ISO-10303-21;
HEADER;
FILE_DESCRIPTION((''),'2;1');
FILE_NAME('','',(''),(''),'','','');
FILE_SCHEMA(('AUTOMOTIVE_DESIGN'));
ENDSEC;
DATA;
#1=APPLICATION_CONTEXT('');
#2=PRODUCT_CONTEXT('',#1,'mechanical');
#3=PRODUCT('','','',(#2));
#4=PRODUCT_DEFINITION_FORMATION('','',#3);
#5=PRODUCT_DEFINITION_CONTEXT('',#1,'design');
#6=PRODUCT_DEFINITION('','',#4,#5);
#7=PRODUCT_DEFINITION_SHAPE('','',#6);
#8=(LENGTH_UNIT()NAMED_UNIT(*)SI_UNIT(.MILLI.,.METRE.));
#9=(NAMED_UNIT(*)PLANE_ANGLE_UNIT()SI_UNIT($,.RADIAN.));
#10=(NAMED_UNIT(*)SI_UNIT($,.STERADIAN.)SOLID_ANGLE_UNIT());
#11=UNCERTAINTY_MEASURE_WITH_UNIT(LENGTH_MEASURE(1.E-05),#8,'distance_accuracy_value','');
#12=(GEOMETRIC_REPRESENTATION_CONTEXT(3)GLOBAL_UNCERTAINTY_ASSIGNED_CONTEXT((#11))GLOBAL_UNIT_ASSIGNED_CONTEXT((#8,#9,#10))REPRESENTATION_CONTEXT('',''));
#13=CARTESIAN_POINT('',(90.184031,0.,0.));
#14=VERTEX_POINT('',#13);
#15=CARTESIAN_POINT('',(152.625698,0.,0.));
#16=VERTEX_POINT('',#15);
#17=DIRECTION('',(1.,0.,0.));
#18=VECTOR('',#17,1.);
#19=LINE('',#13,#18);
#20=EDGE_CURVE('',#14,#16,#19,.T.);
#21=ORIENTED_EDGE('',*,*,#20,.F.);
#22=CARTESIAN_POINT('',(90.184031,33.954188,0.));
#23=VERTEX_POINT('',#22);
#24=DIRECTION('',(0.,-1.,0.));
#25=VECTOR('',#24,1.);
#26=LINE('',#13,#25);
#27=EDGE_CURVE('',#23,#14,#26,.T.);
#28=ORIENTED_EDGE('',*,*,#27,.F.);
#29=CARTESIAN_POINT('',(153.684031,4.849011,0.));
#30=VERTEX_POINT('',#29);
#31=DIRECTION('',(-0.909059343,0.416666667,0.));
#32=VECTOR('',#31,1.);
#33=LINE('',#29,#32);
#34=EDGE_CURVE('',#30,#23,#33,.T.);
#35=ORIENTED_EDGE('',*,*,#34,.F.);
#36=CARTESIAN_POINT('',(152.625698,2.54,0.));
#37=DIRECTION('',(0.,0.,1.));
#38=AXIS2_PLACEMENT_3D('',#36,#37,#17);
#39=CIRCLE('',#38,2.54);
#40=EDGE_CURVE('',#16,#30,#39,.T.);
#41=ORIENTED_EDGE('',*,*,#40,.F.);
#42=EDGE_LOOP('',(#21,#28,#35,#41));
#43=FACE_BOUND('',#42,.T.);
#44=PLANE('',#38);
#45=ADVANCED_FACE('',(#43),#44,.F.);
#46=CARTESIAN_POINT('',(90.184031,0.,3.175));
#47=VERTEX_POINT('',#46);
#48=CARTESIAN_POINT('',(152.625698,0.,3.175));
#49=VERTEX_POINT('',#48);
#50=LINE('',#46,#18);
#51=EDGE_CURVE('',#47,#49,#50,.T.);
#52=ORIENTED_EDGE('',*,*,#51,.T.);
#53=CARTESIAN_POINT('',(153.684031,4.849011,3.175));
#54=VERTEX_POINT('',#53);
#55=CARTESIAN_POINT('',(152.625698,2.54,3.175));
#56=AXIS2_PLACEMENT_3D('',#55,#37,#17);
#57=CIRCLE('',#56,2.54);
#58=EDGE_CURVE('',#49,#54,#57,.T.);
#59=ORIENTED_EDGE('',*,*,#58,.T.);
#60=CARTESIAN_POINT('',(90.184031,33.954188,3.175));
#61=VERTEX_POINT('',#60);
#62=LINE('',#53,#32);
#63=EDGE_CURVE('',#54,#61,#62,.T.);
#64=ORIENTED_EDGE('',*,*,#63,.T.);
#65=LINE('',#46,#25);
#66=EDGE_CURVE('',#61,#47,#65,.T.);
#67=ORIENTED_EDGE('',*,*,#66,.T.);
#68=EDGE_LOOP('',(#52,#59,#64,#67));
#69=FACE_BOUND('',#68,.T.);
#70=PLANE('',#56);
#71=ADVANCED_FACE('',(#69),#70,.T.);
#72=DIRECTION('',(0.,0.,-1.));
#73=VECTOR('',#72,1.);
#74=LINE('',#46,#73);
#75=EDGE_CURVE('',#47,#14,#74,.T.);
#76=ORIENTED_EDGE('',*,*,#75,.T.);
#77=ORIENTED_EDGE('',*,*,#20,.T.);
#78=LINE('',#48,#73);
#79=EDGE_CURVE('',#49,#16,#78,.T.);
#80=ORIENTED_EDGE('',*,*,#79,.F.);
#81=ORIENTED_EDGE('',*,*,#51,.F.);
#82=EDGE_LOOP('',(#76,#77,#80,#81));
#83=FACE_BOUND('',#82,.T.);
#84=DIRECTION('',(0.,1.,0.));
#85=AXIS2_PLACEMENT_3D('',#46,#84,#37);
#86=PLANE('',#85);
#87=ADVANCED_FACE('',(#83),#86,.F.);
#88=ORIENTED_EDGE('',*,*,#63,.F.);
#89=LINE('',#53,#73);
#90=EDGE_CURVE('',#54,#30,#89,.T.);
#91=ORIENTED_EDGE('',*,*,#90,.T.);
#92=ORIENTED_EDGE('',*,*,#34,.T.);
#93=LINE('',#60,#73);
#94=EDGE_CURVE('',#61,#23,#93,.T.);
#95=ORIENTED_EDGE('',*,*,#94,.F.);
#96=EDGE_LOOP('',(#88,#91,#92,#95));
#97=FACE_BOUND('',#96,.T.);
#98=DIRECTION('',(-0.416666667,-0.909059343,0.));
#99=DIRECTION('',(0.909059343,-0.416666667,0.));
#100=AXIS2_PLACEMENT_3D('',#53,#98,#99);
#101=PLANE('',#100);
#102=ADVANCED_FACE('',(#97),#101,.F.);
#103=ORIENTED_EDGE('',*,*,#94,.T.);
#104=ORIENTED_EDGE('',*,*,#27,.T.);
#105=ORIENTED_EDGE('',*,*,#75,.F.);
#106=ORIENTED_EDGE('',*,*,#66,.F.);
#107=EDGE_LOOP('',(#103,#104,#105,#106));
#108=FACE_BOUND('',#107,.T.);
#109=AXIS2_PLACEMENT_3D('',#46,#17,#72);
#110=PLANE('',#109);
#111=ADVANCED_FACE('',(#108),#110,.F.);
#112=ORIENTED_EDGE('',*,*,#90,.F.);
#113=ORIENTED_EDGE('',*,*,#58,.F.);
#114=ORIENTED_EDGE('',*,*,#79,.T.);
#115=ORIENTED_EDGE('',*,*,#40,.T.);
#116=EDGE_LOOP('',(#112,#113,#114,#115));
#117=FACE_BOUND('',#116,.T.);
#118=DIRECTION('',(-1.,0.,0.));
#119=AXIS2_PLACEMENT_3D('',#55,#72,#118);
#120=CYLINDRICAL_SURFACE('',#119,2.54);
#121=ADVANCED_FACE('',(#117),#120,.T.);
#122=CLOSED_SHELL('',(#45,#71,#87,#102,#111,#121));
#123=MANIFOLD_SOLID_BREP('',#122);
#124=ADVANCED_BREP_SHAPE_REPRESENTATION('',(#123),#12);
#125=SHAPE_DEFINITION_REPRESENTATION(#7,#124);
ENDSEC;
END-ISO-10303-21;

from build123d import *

# Parameters (mm, degrees)
EXTRUDE1_DEPTH = 3.175


with BuildPart() as part:
    # Sketch1 → Extrude1 (new body)
    with BuildSketch(Plane.XY):
        with BuildLine():
            Line((90.184030844, 0), (152.625697511, 0))
            ThreePointArc((152.625697511, 0), (155.107278383, 1.998376171), (153.684030844, 4.849010731))
            Line((153.684030844, 4.849010731), (90.184030844, 33.954188012))
            Line((90.184030844, 33.954188012), (90.184030844, 0))
        make_face()
    extrude(amount=EXTRUDE1_DEPTH)


solid = part.part
